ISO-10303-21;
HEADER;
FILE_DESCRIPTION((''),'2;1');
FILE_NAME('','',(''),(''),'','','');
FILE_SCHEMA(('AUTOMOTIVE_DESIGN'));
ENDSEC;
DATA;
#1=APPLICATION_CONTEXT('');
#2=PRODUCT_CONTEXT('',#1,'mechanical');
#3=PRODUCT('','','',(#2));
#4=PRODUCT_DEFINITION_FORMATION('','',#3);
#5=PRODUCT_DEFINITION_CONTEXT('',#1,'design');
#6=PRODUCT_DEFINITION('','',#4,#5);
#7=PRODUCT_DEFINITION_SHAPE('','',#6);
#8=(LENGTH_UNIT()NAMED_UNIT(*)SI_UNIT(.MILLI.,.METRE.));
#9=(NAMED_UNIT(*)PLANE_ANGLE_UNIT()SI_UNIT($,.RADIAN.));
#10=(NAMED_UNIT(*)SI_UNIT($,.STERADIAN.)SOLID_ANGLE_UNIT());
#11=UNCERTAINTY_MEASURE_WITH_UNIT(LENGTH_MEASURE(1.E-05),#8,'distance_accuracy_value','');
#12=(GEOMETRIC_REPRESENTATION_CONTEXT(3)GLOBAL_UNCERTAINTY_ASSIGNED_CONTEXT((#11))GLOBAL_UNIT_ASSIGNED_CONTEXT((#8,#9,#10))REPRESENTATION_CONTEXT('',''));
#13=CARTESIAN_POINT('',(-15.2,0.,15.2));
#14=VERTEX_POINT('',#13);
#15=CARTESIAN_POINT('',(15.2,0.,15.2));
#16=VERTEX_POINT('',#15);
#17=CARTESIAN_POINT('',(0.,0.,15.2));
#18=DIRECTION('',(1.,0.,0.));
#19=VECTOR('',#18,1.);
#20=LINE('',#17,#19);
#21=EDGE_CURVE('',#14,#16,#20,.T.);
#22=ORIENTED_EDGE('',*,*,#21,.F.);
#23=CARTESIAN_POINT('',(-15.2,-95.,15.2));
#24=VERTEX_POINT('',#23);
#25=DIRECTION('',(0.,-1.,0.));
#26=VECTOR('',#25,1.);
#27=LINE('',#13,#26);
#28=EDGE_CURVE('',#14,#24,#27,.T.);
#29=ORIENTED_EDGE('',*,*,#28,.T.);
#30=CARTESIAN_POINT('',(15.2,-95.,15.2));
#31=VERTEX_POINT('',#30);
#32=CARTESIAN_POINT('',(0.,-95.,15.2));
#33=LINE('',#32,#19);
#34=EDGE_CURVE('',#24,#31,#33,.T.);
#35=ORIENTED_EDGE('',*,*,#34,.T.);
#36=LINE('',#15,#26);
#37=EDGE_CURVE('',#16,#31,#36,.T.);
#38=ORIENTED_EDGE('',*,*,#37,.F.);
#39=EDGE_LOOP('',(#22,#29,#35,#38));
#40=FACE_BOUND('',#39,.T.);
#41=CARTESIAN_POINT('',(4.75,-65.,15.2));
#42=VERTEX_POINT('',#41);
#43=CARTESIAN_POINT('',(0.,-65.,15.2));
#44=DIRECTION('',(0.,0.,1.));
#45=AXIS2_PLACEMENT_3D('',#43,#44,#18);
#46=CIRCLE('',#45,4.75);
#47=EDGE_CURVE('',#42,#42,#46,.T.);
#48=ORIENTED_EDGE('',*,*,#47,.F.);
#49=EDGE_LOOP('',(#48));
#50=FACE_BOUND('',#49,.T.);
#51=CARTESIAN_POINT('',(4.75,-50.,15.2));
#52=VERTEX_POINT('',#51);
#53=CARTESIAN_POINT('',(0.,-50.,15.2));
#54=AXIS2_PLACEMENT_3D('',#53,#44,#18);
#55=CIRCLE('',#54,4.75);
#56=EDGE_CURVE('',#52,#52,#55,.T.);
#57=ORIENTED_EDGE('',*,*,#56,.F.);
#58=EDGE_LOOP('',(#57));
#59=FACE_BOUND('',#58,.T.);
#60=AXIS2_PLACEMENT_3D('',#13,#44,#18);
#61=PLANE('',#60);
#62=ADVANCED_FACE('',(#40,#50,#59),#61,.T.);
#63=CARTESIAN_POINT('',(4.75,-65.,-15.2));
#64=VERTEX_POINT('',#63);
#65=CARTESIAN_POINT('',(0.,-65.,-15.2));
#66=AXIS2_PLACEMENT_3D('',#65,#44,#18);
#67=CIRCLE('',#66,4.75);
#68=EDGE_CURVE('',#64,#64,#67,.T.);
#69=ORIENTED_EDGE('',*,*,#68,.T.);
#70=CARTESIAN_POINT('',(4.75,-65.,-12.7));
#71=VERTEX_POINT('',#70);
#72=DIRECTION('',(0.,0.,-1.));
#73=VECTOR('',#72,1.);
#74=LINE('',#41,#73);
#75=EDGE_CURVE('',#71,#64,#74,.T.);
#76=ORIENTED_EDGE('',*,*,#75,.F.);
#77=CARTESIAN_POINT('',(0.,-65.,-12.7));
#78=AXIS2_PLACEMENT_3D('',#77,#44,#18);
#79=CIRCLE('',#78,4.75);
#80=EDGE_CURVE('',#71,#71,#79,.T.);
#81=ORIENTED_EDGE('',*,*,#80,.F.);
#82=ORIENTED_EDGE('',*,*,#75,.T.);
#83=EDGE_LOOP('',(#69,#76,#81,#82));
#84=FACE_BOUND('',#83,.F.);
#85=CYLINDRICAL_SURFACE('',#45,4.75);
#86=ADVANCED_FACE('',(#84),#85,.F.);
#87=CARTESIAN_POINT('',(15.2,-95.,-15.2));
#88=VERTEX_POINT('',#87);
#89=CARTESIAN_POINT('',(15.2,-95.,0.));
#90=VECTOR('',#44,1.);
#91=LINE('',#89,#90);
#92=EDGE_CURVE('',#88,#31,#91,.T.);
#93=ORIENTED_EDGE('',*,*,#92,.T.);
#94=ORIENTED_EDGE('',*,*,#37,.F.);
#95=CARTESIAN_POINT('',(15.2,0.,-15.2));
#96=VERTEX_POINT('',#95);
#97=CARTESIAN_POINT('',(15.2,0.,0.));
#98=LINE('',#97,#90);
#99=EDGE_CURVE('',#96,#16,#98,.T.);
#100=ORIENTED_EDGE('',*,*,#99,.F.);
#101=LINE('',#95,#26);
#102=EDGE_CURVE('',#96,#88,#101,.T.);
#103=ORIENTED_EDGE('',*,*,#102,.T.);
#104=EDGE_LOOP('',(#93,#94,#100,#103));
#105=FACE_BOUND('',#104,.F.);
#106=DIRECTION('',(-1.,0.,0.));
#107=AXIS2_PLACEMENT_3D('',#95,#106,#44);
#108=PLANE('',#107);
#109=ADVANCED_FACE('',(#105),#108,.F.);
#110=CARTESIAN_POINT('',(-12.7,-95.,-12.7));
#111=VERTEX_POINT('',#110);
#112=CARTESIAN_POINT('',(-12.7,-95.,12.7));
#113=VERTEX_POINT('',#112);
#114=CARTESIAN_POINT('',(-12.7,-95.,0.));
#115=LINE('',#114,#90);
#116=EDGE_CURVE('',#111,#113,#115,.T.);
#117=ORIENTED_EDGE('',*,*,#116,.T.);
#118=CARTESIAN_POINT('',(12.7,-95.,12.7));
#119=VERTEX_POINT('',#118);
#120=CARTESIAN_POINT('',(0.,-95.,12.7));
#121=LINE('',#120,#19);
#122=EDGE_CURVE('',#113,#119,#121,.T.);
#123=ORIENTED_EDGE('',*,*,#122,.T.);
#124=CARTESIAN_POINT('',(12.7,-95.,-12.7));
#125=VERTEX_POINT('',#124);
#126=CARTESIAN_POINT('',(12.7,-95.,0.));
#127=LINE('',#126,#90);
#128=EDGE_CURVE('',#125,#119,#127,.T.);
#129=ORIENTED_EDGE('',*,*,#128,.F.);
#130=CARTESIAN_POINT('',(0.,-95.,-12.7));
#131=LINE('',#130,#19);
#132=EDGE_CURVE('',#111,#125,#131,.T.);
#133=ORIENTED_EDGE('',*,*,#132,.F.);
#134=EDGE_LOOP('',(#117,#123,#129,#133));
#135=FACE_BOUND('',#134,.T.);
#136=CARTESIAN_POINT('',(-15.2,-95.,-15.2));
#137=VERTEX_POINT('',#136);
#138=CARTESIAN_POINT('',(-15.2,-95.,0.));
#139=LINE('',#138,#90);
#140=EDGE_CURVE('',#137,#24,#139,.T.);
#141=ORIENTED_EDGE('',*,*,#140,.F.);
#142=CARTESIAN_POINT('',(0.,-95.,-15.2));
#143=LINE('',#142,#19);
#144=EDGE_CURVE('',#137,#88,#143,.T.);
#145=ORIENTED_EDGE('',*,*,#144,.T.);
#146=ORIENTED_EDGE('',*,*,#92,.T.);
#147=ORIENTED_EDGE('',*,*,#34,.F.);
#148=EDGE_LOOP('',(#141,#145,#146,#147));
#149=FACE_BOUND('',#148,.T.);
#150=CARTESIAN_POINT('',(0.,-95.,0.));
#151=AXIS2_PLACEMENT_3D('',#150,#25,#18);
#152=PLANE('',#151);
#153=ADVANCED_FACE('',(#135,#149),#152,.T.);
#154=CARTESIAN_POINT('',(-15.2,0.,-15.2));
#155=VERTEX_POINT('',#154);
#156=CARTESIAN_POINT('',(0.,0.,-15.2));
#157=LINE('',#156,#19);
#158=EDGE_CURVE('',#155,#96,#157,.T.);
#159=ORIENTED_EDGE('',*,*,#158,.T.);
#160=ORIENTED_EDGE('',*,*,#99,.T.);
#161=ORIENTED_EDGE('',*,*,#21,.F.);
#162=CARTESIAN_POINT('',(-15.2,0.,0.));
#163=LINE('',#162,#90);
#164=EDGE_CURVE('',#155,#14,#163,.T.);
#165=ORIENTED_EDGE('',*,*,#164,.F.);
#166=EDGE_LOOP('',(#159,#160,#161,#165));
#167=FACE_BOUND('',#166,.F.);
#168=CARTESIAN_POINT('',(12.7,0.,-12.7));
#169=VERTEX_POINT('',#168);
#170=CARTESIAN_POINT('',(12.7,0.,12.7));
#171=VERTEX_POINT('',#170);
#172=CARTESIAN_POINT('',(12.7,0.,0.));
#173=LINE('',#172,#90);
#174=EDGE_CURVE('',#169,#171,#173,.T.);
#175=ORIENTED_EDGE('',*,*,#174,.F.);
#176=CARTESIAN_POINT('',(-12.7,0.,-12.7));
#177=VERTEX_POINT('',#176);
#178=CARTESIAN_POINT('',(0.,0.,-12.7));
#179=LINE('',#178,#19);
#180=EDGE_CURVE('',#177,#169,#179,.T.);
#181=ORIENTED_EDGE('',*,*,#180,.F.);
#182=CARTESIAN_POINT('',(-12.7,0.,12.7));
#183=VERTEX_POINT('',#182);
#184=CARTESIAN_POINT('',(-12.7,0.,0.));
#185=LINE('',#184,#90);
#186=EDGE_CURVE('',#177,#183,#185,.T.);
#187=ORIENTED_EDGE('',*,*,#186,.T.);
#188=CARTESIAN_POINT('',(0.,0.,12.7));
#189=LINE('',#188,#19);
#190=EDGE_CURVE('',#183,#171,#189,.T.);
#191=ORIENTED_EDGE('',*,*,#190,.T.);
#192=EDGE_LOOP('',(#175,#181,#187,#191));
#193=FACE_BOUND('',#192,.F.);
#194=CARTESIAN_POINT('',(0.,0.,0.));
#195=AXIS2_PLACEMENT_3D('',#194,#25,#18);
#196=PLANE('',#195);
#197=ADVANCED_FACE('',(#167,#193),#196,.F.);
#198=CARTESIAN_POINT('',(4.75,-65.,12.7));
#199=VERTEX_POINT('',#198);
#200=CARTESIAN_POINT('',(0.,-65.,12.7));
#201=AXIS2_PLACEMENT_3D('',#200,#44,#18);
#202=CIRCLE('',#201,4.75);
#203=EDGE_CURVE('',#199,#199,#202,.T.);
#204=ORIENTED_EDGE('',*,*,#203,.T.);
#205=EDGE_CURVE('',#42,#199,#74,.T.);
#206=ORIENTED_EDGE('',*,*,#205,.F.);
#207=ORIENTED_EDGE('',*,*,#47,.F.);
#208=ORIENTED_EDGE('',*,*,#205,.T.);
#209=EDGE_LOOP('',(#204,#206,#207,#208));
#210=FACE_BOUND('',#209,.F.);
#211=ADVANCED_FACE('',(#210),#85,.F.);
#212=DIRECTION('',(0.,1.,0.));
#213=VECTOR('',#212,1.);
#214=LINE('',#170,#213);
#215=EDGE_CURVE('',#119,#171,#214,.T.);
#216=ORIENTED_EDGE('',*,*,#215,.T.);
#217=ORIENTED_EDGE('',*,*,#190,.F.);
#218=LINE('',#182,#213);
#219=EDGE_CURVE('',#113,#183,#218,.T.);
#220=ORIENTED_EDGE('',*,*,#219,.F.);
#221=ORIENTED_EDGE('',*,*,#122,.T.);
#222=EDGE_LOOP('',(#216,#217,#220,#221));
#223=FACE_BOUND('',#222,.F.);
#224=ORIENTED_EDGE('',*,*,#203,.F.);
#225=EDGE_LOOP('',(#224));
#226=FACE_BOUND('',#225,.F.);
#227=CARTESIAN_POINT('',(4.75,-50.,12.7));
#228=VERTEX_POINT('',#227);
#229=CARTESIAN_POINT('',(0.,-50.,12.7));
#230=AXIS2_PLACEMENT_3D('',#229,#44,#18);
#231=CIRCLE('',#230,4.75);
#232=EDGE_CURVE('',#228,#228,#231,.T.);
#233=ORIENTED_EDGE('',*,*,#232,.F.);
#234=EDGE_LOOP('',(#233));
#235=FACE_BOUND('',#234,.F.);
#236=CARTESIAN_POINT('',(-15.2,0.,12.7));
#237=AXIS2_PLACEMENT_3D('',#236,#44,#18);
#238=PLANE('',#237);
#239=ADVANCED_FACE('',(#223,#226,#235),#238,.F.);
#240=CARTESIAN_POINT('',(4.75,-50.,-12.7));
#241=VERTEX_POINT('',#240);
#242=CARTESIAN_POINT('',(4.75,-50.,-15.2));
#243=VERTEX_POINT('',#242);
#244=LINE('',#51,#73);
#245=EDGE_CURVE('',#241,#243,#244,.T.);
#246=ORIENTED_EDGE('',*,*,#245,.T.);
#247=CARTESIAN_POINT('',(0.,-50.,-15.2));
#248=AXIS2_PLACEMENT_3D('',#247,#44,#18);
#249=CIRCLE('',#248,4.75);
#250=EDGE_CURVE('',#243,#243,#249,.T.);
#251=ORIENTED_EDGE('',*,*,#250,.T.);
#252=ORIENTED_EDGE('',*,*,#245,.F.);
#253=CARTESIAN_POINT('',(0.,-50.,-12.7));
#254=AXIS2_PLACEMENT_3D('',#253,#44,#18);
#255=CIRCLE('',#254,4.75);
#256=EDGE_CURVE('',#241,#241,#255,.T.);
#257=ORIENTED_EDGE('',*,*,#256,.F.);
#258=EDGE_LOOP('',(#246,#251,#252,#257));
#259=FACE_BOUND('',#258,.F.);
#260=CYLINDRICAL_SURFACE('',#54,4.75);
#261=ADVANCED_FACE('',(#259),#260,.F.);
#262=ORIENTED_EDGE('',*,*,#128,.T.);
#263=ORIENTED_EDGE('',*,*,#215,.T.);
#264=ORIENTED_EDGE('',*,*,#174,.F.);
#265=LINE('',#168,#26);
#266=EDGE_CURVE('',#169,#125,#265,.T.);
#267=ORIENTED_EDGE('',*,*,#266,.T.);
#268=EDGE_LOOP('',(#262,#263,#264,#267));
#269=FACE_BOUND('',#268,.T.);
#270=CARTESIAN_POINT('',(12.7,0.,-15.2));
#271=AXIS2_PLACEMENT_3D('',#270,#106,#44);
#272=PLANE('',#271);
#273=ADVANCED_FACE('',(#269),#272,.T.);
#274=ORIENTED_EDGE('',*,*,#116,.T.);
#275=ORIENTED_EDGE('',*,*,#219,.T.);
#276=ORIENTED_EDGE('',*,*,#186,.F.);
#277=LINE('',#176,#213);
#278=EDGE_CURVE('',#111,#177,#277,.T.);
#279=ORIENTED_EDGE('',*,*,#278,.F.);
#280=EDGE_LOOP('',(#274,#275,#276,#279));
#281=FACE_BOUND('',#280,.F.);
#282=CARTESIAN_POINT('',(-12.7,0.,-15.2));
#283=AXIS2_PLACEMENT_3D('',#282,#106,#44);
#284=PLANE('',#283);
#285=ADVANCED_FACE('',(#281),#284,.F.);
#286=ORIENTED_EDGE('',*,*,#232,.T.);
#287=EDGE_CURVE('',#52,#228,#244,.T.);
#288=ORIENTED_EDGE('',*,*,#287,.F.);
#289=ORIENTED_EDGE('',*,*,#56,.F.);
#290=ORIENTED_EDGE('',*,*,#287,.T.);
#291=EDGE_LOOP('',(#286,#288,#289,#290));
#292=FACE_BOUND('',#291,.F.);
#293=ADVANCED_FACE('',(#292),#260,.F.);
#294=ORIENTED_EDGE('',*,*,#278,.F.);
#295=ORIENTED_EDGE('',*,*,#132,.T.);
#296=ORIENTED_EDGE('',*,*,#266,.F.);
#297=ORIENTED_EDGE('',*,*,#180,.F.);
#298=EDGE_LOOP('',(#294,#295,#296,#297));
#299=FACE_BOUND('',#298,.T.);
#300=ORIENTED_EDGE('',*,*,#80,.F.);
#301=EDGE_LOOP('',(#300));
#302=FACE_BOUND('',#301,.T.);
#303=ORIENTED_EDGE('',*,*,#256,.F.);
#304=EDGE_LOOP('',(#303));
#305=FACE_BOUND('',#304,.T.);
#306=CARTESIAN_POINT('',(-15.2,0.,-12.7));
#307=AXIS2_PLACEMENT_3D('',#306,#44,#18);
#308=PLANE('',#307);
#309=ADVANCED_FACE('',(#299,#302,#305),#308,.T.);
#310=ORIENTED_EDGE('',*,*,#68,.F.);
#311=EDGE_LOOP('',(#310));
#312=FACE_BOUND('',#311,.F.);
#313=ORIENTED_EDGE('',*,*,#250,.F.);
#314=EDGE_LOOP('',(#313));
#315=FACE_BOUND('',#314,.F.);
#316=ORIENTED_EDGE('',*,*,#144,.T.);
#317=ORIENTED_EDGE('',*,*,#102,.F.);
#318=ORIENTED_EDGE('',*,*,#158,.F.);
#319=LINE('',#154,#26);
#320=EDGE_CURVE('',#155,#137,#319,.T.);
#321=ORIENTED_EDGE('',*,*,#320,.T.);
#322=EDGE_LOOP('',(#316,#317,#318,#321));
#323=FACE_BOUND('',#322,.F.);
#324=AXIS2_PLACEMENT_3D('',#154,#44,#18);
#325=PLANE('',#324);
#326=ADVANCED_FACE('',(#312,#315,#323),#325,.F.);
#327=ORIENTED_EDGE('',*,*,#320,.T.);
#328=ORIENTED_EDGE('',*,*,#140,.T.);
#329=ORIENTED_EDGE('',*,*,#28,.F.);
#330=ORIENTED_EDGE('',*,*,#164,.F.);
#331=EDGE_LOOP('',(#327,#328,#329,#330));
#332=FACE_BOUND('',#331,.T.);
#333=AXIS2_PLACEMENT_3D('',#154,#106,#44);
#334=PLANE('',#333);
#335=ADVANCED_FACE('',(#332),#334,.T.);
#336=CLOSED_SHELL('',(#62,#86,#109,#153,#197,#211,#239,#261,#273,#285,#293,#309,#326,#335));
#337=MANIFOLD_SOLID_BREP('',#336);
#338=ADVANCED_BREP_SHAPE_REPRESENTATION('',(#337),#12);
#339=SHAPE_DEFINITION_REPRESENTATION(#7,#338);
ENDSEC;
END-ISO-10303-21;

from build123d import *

# Parameters (mm, degrees)
F0_W     = 30.4
F0_H     = 30.4
F1_DEPTH = 95
F2_T     = -2.5
F3_R     = 4.75
F4_DEPTH = 38.5


with BuildPart() as f1:
    # F0 (on Front) → F1 (new body)
    with BuildSketch(Plane.XZ):
        Rectangle(F0_W, F0_H)
    extrude(amount=F1_DEPTH)

    # F2
    f2_openings = [f1.faces().sort_by_distance(p)[0] for p in [
        (0, -95, 0),
        (0, 0, 0),
    ]]
    offset(amount=F2_T, openings=f2_openings)

    # F3 (on face) → F4 (cut)
    with BuildSketch(Plane.XY.offset(15.2)):
        with Locations((0, -65)):
            Circle(F3_R)
        with Locations((0, -50)):
            Circle(F3_R)
    extrude(amount=-F4_DEPTH, mode=Mode.SUBTRACT)


solid = f1.part
